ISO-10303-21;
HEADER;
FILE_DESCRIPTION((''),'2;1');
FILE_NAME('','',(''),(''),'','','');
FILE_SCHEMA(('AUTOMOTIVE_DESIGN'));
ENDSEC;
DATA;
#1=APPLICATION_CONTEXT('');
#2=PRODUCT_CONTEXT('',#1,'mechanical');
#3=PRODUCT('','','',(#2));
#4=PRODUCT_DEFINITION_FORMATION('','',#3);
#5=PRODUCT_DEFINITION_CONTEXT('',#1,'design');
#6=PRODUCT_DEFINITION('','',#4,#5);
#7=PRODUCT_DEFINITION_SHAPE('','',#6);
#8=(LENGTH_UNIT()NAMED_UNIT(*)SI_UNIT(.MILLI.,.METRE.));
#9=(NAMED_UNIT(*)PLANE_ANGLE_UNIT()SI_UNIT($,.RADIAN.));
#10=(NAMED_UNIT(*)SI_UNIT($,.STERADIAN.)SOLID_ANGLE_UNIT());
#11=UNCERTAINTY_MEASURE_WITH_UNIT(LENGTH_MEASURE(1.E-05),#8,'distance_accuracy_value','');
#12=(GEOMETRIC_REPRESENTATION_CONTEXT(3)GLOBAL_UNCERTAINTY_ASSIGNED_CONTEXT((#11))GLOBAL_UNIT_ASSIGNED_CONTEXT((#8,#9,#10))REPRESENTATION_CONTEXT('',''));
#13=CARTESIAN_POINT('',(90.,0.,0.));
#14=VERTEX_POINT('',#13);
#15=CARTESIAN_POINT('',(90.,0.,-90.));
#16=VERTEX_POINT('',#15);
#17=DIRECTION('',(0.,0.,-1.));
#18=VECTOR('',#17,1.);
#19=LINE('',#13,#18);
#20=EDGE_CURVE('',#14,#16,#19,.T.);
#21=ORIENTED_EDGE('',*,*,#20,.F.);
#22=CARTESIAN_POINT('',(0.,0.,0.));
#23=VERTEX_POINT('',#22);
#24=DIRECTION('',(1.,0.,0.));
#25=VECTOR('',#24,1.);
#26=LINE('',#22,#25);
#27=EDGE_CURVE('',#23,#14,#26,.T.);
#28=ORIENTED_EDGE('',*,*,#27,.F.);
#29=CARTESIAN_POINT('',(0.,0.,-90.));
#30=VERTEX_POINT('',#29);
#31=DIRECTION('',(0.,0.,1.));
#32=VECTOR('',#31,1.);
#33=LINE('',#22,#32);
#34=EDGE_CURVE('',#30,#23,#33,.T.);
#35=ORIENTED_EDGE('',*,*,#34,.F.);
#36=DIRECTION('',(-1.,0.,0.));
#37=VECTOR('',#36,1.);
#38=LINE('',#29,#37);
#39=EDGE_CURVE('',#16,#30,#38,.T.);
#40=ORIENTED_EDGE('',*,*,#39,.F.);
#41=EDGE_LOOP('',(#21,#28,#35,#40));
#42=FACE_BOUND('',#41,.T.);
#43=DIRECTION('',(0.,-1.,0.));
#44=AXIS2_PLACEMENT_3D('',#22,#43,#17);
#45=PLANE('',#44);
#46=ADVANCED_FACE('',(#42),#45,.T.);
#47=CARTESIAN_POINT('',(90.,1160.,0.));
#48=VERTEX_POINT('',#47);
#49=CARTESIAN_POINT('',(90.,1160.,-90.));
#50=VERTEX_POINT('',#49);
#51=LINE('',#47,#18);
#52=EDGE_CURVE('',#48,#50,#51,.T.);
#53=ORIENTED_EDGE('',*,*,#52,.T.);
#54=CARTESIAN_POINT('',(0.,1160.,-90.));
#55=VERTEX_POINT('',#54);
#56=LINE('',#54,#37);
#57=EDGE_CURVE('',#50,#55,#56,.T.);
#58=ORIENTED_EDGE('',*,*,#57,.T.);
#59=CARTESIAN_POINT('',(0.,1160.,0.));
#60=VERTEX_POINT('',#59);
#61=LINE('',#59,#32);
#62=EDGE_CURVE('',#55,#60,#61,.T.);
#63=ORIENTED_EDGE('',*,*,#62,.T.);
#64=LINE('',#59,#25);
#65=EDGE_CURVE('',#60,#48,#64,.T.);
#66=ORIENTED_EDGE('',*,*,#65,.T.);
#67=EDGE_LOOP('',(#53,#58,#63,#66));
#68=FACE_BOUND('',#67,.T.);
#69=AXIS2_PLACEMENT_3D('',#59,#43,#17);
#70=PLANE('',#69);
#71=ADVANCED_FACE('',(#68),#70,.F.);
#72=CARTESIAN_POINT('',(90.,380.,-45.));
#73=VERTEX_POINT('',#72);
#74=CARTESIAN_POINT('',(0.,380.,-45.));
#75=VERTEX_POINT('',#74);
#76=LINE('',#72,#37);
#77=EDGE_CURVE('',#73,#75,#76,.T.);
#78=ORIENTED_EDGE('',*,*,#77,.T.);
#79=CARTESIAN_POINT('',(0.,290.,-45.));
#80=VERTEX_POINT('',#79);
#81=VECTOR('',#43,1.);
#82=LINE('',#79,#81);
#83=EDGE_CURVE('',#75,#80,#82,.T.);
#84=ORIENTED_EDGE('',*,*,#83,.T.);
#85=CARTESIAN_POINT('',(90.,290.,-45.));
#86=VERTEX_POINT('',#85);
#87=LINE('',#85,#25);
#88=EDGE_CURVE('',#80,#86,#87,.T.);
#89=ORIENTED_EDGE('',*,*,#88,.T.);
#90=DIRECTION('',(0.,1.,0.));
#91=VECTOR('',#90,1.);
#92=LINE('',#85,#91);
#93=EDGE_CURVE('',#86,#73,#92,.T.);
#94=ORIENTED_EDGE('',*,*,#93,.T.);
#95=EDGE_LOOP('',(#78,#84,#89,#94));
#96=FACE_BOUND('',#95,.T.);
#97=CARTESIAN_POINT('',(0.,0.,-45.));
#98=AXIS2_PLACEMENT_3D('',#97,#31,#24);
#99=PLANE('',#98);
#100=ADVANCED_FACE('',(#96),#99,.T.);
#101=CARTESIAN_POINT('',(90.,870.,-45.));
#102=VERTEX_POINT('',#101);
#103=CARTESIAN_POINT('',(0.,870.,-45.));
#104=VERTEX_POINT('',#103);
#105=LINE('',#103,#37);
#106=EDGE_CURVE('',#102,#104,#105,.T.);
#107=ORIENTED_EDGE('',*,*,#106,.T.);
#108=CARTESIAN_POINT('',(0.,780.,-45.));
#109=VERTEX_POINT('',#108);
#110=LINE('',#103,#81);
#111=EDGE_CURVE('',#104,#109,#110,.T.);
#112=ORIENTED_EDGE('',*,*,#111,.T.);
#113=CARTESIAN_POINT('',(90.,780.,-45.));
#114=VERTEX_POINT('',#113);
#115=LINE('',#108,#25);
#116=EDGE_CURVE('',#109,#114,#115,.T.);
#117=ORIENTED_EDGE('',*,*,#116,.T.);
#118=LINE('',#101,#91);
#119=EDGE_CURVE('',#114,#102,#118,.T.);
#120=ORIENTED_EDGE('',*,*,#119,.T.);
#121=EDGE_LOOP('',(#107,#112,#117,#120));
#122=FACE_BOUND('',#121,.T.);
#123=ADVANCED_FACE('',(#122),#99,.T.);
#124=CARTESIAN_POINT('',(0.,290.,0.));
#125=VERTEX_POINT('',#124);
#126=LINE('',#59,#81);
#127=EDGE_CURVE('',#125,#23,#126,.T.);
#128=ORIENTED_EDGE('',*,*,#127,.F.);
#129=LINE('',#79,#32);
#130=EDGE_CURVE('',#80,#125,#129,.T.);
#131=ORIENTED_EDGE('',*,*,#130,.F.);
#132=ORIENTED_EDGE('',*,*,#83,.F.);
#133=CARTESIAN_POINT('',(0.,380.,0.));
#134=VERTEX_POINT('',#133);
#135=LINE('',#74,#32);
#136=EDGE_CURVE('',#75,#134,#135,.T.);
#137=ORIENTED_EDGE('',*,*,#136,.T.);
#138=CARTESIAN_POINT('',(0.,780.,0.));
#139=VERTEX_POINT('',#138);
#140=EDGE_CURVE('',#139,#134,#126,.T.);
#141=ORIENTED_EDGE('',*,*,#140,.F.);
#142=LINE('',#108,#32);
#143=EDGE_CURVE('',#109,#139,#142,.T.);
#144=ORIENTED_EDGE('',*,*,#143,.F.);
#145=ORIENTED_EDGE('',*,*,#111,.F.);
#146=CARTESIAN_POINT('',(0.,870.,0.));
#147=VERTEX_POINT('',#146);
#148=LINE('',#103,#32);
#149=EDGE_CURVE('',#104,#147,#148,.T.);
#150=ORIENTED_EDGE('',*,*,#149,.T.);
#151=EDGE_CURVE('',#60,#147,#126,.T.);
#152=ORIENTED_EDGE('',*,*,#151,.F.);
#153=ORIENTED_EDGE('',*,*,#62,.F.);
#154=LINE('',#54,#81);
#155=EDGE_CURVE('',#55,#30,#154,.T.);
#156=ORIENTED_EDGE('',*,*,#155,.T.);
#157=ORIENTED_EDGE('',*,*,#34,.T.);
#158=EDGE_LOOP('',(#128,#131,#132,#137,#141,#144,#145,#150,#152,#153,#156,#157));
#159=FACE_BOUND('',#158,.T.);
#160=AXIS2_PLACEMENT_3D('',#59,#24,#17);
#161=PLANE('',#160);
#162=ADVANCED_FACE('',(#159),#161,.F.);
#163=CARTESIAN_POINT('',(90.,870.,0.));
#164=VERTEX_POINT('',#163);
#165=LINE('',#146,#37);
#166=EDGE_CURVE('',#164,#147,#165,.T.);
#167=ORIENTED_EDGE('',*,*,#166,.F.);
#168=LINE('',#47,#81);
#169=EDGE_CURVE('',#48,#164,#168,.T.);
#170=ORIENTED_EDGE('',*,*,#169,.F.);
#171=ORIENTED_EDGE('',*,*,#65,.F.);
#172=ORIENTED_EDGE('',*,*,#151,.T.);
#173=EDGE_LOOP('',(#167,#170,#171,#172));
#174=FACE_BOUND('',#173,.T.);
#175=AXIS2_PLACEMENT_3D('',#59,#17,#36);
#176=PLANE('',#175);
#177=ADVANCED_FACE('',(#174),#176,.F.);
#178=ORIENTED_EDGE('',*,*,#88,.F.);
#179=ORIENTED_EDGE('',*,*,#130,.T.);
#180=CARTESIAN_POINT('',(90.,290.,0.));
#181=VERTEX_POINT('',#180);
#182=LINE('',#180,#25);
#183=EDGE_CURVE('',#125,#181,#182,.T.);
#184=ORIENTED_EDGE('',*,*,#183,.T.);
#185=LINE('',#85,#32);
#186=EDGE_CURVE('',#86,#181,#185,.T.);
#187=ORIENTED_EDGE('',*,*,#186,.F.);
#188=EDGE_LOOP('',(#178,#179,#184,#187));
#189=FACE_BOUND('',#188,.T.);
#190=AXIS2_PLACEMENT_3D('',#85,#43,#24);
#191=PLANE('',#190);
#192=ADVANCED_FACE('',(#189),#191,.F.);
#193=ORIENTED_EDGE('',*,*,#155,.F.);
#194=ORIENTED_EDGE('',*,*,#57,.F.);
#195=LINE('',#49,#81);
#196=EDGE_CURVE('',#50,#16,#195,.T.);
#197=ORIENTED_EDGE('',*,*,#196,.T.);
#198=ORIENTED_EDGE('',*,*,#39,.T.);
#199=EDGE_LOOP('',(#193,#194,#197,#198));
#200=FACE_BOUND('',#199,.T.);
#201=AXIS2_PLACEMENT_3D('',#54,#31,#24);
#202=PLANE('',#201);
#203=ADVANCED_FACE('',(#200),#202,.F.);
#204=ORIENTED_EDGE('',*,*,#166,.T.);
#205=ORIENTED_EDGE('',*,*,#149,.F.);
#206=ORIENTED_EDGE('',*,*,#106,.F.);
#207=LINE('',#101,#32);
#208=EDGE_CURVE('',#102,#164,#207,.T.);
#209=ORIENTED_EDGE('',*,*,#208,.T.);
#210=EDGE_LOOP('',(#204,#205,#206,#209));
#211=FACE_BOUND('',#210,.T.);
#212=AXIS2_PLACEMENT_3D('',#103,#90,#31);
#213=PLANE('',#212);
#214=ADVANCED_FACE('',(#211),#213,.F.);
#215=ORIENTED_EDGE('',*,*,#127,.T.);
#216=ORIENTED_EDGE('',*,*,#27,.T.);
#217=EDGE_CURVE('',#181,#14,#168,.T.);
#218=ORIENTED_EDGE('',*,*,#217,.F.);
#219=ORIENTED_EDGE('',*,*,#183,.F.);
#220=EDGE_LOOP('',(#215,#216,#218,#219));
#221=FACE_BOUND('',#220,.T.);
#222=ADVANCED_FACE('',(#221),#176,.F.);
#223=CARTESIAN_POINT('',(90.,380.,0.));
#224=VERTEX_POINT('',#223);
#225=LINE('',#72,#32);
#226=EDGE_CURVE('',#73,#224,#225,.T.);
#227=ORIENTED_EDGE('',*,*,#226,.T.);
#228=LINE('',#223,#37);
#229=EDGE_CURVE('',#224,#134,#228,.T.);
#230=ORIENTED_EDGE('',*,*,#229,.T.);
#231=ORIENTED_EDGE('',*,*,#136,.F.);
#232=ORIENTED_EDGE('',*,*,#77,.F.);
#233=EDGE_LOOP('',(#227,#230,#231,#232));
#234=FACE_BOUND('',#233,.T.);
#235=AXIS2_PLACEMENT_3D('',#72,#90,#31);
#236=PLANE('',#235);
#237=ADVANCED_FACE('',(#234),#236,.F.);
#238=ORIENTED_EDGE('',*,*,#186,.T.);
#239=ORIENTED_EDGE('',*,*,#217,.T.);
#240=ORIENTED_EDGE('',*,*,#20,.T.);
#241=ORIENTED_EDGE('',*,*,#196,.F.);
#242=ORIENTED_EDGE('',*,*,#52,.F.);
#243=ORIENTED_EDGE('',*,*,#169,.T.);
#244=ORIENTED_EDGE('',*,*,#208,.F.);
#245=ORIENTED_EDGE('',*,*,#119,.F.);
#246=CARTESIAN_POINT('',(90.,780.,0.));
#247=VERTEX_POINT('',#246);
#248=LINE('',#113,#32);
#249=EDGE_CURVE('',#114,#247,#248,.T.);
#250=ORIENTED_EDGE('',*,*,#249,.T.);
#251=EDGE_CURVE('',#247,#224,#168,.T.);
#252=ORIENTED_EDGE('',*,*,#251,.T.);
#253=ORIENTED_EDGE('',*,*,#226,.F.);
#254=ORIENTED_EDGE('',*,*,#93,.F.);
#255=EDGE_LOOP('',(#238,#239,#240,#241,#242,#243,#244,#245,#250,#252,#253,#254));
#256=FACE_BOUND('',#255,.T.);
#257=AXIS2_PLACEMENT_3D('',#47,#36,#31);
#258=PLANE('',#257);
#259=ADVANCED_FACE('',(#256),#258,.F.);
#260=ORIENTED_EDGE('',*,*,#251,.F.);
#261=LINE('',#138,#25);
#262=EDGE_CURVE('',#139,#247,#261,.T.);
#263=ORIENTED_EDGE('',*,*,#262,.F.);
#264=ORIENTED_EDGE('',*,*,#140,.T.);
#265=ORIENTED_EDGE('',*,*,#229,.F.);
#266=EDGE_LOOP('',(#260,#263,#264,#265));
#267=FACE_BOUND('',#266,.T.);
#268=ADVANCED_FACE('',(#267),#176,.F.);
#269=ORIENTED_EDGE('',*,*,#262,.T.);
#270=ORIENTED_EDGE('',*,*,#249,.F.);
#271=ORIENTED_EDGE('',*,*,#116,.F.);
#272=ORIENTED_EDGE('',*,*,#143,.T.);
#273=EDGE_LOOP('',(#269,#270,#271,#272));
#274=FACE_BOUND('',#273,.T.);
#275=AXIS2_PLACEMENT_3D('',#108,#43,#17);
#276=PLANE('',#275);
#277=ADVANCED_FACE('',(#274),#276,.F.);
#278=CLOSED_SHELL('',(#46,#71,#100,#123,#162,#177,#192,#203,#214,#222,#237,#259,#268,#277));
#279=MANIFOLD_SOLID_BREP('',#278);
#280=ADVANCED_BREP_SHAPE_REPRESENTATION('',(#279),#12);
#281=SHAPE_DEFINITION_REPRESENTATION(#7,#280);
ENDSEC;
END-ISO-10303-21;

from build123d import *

# Parameters (mm, degrees)
SKETCH1_W           = 90
SKETCH1_H           = 90
BOSS_EXTRUDE1_DEPTH = 1160
SKETCH3_W           = 90
SKETCH3_H           = 90
CUT_EXTRUDE1_DEPTH  = 45
SKETCH4_W           = 90
SKETCH4_H           = 90
CUT_EXTRUDE2_DEPTH  = 45


with BuildPart() as part:
    # Sketch1 → Boss-Extrude1 (new body)
    with BuildSketch(Plane(origin=(0, 0, 0), x_dir=(1, 0, 0), z_dir=(0, 1, 0))):
        with Locations((45, 45)):
            Rectangle(SKETCH1_W, SKETCH1_H)
    extrude(amount=BOSS_EXTRUDE1_DEPTH)

    # Sketch3 → Cut-Extrude1 (cut)
    with BuildSketch(Plane.XY):
        with Locations((45, 825)):
            Rectangle(SKETCH3_W, SKETCH3_H)
    extrude(amount=-CUT_EXTRUDE1_DEPTH, mode=Mode.SUBTRACT)

    # Sketch4 → Cut-Extrude2 (cut)
    with BuildSketch(Plane.XY):
        with Locations((45, 335)):
            Rectangle(SKETCH4_W, SKETCH4_H)
    extrude(amount=-CUT_EXTRUDE2_DEPTH, mode=Mode.SUBTRACT)


solid = part.part
